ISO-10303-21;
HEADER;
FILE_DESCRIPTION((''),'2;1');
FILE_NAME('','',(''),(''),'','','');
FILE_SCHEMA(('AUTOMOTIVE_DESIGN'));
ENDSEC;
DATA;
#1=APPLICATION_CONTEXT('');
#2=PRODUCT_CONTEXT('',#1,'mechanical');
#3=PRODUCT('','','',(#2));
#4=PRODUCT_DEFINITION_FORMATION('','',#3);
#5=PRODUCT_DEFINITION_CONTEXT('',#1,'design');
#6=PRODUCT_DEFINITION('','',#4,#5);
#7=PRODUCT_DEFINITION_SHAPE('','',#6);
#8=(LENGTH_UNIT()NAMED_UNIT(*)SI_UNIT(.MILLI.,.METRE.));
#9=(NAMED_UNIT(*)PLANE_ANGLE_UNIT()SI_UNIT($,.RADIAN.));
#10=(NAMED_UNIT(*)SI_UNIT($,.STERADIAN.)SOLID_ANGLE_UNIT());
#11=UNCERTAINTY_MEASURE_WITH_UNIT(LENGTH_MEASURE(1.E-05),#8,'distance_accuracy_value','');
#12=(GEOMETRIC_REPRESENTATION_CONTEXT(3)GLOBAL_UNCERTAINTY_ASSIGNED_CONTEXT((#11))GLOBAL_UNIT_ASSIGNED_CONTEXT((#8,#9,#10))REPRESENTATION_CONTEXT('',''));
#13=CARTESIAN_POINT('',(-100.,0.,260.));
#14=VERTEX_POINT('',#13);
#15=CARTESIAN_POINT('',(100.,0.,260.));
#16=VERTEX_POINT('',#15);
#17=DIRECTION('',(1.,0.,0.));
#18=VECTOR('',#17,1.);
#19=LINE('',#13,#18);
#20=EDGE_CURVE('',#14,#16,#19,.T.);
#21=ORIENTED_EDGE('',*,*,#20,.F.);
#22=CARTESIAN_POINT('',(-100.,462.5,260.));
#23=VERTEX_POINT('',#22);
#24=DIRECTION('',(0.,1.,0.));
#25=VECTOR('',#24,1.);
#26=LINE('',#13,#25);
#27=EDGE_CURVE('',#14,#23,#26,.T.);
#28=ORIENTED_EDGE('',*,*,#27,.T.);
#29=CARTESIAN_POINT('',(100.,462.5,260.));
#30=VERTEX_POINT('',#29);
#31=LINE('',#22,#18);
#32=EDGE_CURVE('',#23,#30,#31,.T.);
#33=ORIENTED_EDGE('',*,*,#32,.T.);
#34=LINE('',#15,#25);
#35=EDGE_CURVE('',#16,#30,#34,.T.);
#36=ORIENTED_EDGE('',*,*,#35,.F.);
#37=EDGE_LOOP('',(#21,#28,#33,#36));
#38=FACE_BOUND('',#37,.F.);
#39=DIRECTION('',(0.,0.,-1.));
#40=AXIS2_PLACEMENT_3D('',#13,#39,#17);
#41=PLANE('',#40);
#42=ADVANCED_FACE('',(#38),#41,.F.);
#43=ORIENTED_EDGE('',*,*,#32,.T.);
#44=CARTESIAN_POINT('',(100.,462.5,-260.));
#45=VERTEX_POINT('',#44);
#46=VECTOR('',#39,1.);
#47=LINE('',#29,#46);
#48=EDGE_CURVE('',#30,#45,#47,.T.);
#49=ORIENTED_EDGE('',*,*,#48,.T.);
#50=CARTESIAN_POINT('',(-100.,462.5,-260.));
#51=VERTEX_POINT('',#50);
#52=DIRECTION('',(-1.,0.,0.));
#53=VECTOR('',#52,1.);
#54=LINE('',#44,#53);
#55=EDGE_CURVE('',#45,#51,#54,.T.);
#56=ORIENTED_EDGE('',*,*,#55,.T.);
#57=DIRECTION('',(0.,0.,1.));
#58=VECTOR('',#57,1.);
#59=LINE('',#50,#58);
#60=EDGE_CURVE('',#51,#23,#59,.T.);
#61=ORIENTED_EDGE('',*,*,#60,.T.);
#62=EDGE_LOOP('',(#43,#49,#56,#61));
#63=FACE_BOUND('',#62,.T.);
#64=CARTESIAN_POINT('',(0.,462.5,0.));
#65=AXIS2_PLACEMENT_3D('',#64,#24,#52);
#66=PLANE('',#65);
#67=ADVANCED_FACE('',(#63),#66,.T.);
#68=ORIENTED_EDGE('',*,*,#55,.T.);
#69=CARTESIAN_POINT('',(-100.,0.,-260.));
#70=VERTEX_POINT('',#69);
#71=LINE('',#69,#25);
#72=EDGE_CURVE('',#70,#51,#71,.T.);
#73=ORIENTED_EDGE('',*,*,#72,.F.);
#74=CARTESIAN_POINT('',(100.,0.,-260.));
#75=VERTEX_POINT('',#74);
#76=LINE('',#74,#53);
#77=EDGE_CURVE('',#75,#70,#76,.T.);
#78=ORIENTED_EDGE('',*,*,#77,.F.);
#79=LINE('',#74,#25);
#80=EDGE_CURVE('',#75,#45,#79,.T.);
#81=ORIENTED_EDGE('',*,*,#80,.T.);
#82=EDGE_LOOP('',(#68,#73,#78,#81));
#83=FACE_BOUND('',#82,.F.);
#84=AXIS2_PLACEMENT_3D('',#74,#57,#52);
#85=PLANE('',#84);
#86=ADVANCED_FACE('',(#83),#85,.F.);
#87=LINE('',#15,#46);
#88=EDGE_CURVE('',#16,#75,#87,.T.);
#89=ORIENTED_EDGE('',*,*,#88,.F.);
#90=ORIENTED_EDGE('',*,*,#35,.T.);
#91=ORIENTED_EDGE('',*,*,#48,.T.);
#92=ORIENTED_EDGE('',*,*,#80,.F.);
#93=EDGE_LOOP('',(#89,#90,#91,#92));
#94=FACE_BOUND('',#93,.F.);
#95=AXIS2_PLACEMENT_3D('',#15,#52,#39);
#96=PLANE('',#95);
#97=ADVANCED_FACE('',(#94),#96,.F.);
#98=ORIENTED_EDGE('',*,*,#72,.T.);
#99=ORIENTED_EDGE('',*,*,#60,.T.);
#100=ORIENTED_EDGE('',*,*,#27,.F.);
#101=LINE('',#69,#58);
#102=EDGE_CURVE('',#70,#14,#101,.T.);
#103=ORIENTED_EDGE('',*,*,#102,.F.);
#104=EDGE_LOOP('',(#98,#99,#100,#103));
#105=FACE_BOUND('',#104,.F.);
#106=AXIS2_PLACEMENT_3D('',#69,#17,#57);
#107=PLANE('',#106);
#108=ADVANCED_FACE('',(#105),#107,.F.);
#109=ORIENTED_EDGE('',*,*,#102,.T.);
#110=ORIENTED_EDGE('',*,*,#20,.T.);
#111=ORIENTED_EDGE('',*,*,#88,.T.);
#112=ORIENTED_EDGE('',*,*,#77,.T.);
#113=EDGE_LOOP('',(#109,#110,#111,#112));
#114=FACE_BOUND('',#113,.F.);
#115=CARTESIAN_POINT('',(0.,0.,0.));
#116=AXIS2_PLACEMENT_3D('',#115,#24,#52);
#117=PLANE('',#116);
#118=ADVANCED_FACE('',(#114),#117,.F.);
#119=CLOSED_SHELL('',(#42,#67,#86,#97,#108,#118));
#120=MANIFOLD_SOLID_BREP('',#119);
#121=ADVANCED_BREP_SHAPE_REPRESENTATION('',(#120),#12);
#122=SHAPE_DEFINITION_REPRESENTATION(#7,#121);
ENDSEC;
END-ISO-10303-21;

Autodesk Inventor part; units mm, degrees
ref_plane "YZ Plane" through (0, 0, 0) normal (1, 0, 0) x (0, 1, 0)
ref_plane "XZ Plane" through (0, 0, 0) normal (0, 1, 0) x (-1, 0, 0)
ref_plane "XY Plane" through (0, 0, 0) normal (0, 0, 1) x (1, 0, 0)
sketch "Sketch1" plane through (0, 0, 0) normal (0, 1, 0) x (-1, 0, 0)
  line L0 (-100, -260) -> (100, -260)
  line L1 (100, -260) -> (100, 260)
  line L2 (100, 260) -> (-100, 260)
  line L3 (-100, 260) -> (-100, -260)
  line L4 (-100, -260) -> (100, 260) construction
  line L5 (100, -260) -> (-100, 260) construction
  point P0 (0, 0)
  dimension "d0" = 200
  dimension "d1" = 520
extrude "Extrusion1" add sketch "Sketch1" along normal blind 462.5
properties part number "Test1"
